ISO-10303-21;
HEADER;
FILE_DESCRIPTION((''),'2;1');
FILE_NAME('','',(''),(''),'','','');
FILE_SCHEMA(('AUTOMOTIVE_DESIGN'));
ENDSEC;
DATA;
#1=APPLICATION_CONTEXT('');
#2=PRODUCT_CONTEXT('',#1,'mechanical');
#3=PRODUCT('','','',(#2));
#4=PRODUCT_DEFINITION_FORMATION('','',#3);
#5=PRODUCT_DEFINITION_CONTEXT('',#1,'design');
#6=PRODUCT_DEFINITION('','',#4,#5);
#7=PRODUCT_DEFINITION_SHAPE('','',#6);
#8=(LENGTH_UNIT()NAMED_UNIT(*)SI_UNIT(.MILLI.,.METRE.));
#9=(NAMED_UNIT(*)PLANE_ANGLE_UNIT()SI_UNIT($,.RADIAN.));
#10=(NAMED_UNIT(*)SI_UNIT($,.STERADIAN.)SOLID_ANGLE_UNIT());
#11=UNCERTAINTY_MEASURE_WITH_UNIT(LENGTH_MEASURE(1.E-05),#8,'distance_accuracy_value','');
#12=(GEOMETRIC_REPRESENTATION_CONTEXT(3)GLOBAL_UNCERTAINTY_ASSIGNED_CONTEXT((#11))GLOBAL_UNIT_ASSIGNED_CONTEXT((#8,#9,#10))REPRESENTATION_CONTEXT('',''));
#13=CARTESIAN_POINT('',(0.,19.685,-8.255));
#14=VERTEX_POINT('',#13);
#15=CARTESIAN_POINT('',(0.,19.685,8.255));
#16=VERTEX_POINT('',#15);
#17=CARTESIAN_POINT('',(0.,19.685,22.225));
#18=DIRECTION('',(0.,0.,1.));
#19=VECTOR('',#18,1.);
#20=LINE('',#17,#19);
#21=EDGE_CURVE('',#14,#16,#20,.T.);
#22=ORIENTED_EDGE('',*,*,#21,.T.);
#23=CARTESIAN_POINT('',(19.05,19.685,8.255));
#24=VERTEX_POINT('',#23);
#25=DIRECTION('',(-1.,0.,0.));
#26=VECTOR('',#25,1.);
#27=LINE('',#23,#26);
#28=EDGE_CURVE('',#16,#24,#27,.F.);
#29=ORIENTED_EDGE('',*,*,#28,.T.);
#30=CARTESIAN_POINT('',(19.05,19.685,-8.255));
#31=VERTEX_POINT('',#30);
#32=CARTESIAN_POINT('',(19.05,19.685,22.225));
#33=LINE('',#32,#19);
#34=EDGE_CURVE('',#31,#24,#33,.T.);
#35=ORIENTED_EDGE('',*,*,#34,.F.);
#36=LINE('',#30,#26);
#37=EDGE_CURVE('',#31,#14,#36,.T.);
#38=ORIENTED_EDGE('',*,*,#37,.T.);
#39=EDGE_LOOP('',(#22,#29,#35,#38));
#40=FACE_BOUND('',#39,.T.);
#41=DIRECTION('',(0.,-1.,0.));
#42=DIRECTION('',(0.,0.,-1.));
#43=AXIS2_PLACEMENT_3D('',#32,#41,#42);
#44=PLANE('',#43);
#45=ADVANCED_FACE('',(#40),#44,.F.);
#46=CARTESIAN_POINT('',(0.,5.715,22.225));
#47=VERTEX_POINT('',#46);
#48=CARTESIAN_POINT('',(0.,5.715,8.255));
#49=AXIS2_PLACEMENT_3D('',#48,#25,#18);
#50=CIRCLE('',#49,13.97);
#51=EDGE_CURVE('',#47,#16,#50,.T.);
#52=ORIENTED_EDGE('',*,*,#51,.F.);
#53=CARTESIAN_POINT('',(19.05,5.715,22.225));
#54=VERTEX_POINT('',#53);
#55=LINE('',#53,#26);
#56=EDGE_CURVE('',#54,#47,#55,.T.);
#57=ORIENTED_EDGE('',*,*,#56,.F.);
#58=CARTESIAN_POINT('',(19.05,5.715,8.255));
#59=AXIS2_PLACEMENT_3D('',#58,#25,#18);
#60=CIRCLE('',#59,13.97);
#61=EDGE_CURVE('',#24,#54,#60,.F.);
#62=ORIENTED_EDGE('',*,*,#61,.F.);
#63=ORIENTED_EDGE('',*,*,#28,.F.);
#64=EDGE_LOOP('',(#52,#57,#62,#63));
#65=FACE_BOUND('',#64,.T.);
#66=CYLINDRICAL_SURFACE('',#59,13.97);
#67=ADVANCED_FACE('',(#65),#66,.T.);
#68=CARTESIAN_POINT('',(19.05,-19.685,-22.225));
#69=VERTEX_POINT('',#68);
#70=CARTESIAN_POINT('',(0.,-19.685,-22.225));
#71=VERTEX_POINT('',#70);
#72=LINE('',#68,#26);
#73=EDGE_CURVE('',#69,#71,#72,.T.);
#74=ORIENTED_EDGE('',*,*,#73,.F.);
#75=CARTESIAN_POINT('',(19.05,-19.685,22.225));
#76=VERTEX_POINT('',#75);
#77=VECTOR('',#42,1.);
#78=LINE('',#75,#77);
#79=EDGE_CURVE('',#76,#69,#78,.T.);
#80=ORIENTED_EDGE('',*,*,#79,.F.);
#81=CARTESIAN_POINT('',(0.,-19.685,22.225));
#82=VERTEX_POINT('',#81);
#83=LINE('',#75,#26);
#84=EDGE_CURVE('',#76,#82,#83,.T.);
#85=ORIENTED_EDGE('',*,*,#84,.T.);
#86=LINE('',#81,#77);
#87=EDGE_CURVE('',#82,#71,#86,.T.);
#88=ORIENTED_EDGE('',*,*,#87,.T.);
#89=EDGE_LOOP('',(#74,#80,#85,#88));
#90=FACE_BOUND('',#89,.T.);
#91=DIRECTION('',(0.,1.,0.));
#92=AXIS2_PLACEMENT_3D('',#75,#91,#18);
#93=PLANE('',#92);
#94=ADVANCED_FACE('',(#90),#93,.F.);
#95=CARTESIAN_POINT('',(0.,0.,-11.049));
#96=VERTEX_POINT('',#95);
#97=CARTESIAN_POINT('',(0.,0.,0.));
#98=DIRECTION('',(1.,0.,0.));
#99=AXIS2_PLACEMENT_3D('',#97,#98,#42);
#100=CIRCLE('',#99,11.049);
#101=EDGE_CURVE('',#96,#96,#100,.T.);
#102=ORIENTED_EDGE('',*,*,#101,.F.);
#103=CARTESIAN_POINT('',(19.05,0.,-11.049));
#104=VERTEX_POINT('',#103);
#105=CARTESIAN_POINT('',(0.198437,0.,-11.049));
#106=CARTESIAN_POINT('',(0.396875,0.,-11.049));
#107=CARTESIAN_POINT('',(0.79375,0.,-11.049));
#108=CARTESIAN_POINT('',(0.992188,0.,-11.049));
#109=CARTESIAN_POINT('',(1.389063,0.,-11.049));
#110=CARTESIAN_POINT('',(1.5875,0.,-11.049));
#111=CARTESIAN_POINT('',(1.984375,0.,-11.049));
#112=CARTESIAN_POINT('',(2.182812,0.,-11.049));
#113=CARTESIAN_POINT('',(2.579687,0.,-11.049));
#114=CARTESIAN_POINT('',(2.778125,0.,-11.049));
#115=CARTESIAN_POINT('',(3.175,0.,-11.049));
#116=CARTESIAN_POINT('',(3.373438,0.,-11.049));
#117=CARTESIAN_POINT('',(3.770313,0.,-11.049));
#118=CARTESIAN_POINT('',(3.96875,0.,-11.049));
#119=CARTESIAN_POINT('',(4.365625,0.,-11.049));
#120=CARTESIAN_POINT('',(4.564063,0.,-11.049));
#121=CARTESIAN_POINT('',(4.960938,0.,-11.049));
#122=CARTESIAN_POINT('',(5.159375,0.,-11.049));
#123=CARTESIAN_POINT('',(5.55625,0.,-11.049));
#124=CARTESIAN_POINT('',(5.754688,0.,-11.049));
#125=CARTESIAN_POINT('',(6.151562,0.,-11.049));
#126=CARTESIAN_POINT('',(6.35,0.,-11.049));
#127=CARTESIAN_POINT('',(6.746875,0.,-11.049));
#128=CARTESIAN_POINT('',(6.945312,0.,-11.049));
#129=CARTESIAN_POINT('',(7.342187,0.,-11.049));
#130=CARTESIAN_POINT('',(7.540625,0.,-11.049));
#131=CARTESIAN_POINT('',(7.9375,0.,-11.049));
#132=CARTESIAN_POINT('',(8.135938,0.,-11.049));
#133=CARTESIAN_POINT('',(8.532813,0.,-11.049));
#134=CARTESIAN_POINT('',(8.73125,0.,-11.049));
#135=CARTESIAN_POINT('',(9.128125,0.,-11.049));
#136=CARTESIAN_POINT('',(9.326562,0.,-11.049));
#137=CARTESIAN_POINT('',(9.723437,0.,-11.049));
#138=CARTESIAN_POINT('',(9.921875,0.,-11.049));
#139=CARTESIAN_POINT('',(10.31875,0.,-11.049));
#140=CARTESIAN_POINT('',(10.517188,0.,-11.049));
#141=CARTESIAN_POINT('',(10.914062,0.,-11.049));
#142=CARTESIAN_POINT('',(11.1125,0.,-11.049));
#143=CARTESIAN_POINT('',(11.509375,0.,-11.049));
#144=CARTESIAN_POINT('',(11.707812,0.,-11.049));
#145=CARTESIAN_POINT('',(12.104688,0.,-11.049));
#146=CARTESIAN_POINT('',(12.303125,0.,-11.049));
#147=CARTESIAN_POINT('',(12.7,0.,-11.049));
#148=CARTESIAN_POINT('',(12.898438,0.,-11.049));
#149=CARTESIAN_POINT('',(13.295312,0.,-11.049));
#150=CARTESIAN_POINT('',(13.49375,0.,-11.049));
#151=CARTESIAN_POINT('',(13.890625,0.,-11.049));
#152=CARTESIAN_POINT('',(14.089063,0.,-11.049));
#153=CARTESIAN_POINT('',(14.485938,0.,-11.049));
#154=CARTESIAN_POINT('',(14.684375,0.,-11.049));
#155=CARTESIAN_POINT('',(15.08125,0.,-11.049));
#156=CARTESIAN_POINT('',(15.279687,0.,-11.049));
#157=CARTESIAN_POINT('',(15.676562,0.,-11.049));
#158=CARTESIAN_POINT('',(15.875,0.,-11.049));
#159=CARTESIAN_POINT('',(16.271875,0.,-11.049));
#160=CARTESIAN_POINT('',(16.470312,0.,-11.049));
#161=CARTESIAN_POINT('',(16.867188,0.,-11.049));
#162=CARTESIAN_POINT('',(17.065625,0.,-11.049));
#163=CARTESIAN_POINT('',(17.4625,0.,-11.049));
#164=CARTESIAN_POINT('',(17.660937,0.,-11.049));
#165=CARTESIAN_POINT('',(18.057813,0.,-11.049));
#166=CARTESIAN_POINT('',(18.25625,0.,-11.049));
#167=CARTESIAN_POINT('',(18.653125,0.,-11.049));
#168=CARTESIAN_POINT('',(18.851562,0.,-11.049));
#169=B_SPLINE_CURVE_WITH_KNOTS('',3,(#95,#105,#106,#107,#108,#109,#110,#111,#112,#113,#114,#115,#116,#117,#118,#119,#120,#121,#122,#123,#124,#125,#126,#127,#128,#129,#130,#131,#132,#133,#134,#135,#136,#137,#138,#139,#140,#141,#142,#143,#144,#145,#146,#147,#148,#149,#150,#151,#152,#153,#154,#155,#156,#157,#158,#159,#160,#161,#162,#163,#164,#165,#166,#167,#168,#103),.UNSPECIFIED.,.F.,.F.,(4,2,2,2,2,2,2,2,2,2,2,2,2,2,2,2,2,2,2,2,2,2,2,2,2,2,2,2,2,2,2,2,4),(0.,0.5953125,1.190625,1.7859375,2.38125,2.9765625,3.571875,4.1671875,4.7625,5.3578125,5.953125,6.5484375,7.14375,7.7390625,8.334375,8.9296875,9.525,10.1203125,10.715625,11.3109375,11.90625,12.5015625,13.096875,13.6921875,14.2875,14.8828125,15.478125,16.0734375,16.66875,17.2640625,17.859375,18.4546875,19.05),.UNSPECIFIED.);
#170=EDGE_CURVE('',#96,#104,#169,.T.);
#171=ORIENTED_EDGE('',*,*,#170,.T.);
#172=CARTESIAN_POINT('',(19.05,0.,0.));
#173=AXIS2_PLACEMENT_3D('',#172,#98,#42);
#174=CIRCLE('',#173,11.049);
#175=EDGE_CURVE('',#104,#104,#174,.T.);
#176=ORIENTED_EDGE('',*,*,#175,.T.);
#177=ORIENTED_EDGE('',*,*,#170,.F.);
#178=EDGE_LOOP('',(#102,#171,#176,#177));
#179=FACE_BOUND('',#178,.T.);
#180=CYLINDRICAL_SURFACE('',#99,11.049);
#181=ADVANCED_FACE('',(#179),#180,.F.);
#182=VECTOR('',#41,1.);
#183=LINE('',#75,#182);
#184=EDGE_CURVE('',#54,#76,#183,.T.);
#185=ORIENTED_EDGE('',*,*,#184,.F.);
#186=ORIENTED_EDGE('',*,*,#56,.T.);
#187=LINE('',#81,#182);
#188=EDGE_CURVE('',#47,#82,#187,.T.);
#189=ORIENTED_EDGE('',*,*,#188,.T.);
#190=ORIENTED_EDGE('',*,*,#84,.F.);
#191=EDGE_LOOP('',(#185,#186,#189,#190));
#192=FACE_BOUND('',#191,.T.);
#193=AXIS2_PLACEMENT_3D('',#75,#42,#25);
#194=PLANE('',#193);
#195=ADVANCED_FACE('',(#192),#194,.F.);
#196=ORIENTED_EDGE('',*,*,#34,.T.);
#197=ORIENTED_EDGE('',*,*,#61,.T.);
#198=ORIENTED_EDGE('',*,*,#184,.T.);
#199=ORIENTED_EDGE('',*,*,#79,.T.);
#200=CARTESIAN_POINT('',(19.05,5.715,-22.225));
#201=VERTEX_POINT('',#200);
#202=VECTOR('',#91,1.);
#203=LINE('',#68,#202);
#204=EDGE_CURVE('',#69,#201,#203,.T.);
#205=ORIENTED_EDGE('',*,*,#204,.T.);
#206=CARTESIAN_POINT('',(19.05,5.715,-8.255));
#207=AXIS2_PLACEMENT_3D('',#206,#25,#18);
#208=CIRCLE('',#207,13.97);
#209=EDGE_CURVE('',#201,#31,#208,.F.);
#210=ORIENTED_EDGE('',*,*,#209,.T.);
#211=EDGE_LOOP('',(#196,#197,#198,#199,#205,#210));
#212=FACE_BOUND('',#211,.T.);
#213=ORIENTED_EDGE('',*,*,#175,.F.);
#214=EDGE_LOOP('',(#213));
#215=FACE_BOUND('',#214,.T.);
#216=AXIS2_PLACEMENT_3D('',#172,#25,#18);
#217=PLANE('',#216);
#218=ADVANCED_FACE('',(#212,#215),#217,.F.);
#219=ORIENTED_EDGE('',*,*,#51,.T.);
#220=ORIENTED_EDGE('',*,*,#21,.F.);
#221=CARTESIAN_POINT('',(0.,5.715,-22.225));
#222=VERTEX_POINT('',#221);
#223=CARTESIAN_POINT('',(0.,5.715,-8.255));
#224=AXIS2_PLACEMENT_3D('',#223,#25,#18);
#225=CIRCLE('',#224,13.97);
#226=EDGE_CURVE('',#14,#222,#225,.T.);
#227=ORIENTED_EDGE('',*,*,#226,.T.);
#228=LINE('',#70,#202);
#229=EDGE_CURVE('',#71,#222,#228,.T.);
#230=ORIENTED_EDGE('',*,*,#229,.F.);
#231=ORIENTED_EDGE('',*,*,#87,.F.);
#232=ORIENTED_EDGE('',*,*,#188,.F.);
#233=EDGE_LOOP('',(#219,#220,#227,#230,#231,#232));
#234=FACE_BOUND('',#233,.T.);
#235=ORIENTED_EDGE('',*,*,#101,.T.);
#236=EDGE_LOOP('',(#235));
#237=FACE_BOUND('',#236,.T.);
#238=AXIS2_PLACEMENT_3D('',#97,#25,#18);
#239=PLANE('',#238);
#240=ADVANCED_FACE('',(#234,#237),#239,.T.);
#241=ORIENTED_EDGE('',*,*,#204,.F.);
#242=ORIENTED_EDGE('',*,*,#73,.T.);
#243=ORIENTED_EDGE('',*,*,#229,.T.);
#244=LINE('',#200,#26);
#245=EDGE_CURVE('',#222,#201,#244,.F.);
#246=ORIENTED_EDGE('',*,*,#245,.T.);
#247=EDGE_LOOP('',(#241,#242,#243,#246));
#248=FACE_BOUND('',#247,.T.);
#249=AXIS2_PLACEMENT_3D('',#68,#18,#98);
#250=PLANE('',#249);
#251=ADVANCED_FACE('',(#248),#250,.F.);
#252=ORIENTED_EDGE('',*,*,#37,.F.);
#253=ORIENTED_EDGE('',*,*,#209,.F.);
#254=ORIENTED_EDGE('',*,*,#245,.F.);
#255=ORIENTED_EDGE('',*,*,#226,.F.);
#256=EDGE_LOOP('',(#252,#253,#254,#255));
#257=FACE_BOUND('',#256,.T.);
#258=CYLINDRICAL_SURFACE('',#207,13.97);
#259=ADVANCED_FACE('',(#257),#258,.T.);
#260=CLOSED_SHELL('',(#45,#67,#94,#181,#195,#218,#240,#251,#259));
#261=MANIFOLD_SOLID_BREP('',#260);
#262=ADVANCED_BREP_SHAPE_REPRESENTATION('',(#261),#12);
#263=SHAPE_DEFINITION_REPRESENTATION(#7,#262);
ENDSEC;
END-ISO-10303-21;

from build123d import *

# Parameters (mm, degrees)
SKETCH1_W           = 44.45
SKETCH1_H           = 39.37
BOSS_EXTRUDE1_DEPTH = 19.05
SKETCH2_R           = 11.049
CUT_EXTRUDE1_DEPTH  = 19.05
FILLET1_R           = 13.97


with BuildPart() as part:
    # Sketch1 → Boss-Extrude1 (new body)
    with BuildSketch(Plane(origin=(0, 0, 0), x_dir=(0, 0, -1), z_dir=(1, 0, 0))):
        Rectangle(SKETCH1_W, SKETCH1_H)
    extrude(amount=BOSS_EXTRUDE1_DEPTH)

    # Sketch2 → Cut-Extrude1 (cut)
    with BuildSketch(Plane(origin=(19.05, 0, 0), x_dir=(0, 0, -1), z_dir=(1, 0, 0))):
        Circle(SKETCH2_R)
    extrude(amount=-CUT_EXTRUDE1_DEPTH, mode=Mode.SUBTRACT)

    # Fillet1
    fillet1_edges = [part.edges().sort_by_distance(p)[0] for p in [
        (9.525, 19.685, 22.225),
        (9.525, 19.685, -22.225),
    ]]
    fillet(fillet1_edges, radius=FILLET1_R)


solid = part.part
